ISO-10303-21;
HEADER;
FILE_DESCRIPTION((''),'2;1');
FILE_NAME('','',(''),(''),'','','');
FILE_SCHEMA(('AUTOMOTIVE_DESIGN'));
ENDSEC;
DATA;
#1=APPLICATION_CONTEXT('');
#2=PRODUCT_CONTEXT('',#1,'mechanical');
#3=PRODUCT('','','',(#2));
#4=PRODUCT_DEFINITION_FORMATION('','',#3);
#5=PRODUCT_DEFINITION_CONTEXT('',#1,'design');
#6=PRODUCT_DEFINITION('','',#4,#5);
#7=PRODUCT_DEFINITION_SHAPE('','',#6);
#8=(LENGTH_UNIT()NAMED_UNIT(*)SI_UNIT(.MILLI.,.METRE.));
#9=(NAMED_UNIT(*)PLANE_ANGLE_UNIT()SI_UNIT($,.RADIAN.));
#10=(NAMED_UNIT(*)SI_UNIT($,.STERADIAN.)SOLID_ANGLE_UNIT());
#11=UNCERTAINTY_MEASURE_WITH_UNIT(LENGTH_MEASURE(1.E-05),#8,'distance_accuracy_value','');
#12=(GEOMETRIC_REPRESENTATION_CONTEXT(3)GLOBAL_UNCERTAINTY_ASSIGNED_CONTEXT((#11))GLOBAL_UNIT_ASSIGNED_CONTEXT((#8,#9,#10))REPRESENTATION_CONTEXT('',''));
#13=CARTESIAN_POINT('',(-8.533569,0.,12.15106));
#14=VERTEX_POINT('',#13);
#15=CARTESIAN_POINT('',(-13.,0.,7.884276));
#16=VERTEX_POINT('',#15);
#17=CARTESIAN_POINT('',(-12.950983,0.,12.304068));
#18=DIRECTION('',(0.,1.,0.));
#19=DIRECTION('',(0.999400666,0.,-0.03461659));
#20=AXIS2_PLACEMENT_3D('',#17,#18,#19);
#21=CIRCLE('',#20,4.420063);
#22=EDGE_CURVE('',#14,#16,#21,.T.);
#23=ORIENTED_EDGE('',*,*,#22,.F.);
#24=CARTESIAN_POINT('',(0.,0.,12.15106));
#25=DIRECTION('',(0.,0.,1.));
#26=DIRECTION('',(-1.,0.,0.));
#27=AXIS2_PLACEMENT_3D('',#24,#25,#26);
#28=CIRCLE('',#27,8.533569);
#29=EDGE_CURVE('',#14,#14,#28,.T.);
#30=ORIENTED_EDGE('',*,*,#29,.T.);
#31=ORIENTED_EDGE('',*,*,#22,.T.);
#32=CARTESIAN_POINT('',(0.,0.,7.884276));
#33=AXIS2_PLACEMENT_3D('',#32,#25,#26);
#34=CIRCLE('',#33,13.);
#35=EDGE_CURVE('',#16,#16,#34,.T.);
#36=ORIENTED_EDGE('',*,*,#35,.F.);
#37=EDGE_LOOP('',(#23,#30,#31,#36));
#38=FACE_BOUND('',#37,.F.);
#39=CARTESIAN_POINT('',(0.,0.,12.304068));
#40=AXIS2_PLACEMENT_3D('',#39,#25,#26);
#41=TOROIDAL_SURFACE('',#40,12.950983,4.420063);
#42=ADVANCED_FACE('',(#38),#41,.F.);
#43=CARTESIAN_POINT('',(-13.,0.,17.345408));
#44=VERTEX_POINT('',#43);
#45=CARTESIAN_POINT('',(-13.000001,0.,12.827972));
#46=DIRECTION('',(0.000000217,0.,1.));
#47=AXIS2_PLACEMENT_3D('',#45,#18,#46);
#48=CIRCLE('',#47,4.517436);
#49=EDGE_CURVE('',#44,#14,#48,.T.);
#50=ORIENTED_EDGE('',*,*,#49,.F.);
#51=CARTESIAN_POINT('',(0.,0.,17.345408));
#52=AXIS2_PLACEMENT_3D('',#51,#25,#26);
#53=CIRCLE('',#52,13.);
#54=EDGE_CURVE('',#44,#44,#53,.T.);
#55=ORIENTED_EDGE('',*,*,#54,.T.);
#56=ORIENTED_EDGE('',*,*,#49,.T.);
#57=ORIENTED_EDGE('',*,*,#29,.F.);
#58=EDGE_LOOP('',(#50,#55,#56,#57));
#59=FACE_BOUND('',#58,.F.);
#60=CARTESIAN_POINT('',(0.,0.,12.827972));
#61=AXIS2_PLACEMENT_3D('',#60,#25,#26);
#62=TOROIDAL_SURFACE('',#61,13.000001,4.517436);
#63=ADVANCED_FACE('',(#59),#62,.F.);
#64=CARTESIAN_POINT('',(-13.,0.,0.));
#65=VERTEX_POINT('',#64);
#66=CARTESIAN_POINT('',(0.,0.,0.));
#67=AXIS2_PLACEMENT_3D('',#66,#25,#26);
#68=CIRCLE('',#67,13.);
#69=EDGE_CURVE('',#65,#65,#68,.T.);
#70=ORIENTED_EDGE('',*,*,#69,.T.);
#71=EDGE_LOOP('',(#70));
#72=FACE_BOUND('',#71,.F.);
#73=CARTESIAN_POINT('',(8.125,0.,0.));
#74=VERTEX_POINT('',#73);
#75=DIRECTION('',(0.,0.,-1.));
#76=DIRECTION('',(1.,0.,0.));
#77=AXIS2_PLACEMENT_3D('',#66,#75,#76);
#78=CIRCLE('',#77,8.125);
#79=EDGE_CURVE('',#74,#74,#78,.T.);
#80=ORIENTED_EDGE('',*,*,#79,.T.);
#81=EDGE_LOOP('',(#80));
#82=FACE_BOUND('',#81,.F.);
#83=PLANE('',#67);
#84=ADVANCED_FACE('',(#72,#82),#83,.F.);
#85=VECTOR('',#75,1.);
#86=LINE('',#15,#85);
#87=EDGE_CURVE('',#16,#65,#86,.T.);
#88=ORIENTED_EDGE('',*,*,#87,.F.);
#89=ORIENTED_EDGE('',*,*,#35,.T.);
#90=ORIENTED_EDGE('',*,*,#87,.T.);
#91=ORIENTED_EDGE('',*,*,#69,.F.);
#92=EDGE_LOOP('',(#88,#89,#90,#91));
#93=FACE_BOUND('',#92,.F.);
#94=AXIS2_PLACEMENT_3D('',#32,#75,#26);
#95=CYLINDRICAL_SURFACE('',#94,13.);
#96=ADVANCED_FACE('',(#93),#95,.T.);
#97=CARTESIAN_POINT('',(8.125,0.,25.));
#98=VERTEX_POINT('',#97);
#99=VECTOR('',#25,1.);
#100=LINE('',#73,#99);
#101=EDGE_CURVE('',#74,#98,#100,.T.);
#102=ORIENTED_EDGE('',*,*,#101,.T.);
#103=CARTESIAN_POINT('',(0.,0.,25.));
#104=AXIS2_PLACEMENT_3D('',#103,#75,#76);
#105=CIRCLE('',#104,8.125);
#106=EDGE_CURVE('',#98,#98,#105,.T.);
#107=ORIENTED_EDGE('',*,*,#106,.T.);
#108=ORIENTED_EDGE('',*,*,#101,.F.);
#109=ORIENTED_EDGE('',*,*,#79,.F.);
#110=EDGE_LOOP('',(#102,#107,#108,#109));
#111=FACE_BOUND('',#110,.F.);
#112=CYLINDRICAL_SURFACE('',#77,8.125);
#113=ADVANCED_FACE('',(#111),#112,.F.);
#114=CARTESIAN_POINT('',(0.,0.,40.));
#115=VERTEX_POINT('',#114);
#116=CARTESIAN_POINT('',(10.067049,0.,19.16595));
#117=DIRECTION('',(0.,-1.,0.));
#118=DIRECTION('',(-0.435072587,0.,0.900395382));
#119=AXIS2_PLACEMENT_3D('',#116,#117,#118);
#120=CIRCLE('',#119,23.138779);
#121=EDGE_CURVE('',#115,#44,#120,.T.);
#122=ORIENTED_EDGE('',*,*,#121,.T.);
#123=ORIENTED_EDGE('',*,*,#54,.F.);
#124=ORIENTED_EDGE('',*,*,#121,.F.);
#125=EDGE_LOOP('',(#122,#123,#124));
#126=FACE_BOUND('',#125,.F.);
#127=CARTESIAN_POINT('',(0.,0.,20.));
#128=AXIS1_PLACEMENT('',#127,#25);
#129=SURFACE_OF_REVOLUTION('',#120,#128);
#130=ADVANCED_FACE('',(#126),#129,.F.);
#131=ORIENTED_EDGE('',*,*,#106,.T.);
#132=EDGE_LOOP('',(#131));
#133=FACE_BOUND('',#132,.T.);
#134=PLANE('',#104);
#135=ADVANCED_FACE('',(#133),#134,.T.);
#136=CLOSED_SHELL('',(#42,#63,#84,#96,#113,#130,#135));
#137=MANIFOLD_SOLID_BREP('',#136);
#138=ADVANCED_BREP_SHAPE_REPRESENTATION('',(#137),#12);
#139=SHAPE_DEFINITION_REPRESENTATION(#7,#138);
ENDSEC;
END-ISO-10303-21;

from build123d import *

# Parameters (mm, degrees)
F2_R     = 8.125
F3_DEPTH = 25


with BuildPart() as f1:
    # F0 (on Front) → F1 (revolve)
    with BuildSketch(Plane.XZ):
        with BuildLine():
            Line((-13, 0), (0, 0))
            Line((0, 0), (0, 40))
            ThreePointArc((0, 40), (-10.0022, 30.682389), (-13, 17.345408))
            ThreePointArc((-13, 17.345408), (-9.574717, 15.773249), (-8.533569, 12.15106))
            ThreePointArc((-8.533569, 12.15106), (-9.897774, 9.107996), (-13, 7.884276))
            Line((-13, 7.884276), (-13, 0))
        make_face()
    revolve(axis=Axis((0, 0, 20), (0, 0, 1)))

    # F2 (on face) → F3 (cut)
    with BuildSketch(Plane(origin=(0, 0, 0), x_dir=(1, 0, 0), z_dir=(0, 0, -1))):
        Circle(F2_R)
    extrude(amount=-F3_DEPTH, mode=Mode.SUBTRACT)


solid = f1.part
